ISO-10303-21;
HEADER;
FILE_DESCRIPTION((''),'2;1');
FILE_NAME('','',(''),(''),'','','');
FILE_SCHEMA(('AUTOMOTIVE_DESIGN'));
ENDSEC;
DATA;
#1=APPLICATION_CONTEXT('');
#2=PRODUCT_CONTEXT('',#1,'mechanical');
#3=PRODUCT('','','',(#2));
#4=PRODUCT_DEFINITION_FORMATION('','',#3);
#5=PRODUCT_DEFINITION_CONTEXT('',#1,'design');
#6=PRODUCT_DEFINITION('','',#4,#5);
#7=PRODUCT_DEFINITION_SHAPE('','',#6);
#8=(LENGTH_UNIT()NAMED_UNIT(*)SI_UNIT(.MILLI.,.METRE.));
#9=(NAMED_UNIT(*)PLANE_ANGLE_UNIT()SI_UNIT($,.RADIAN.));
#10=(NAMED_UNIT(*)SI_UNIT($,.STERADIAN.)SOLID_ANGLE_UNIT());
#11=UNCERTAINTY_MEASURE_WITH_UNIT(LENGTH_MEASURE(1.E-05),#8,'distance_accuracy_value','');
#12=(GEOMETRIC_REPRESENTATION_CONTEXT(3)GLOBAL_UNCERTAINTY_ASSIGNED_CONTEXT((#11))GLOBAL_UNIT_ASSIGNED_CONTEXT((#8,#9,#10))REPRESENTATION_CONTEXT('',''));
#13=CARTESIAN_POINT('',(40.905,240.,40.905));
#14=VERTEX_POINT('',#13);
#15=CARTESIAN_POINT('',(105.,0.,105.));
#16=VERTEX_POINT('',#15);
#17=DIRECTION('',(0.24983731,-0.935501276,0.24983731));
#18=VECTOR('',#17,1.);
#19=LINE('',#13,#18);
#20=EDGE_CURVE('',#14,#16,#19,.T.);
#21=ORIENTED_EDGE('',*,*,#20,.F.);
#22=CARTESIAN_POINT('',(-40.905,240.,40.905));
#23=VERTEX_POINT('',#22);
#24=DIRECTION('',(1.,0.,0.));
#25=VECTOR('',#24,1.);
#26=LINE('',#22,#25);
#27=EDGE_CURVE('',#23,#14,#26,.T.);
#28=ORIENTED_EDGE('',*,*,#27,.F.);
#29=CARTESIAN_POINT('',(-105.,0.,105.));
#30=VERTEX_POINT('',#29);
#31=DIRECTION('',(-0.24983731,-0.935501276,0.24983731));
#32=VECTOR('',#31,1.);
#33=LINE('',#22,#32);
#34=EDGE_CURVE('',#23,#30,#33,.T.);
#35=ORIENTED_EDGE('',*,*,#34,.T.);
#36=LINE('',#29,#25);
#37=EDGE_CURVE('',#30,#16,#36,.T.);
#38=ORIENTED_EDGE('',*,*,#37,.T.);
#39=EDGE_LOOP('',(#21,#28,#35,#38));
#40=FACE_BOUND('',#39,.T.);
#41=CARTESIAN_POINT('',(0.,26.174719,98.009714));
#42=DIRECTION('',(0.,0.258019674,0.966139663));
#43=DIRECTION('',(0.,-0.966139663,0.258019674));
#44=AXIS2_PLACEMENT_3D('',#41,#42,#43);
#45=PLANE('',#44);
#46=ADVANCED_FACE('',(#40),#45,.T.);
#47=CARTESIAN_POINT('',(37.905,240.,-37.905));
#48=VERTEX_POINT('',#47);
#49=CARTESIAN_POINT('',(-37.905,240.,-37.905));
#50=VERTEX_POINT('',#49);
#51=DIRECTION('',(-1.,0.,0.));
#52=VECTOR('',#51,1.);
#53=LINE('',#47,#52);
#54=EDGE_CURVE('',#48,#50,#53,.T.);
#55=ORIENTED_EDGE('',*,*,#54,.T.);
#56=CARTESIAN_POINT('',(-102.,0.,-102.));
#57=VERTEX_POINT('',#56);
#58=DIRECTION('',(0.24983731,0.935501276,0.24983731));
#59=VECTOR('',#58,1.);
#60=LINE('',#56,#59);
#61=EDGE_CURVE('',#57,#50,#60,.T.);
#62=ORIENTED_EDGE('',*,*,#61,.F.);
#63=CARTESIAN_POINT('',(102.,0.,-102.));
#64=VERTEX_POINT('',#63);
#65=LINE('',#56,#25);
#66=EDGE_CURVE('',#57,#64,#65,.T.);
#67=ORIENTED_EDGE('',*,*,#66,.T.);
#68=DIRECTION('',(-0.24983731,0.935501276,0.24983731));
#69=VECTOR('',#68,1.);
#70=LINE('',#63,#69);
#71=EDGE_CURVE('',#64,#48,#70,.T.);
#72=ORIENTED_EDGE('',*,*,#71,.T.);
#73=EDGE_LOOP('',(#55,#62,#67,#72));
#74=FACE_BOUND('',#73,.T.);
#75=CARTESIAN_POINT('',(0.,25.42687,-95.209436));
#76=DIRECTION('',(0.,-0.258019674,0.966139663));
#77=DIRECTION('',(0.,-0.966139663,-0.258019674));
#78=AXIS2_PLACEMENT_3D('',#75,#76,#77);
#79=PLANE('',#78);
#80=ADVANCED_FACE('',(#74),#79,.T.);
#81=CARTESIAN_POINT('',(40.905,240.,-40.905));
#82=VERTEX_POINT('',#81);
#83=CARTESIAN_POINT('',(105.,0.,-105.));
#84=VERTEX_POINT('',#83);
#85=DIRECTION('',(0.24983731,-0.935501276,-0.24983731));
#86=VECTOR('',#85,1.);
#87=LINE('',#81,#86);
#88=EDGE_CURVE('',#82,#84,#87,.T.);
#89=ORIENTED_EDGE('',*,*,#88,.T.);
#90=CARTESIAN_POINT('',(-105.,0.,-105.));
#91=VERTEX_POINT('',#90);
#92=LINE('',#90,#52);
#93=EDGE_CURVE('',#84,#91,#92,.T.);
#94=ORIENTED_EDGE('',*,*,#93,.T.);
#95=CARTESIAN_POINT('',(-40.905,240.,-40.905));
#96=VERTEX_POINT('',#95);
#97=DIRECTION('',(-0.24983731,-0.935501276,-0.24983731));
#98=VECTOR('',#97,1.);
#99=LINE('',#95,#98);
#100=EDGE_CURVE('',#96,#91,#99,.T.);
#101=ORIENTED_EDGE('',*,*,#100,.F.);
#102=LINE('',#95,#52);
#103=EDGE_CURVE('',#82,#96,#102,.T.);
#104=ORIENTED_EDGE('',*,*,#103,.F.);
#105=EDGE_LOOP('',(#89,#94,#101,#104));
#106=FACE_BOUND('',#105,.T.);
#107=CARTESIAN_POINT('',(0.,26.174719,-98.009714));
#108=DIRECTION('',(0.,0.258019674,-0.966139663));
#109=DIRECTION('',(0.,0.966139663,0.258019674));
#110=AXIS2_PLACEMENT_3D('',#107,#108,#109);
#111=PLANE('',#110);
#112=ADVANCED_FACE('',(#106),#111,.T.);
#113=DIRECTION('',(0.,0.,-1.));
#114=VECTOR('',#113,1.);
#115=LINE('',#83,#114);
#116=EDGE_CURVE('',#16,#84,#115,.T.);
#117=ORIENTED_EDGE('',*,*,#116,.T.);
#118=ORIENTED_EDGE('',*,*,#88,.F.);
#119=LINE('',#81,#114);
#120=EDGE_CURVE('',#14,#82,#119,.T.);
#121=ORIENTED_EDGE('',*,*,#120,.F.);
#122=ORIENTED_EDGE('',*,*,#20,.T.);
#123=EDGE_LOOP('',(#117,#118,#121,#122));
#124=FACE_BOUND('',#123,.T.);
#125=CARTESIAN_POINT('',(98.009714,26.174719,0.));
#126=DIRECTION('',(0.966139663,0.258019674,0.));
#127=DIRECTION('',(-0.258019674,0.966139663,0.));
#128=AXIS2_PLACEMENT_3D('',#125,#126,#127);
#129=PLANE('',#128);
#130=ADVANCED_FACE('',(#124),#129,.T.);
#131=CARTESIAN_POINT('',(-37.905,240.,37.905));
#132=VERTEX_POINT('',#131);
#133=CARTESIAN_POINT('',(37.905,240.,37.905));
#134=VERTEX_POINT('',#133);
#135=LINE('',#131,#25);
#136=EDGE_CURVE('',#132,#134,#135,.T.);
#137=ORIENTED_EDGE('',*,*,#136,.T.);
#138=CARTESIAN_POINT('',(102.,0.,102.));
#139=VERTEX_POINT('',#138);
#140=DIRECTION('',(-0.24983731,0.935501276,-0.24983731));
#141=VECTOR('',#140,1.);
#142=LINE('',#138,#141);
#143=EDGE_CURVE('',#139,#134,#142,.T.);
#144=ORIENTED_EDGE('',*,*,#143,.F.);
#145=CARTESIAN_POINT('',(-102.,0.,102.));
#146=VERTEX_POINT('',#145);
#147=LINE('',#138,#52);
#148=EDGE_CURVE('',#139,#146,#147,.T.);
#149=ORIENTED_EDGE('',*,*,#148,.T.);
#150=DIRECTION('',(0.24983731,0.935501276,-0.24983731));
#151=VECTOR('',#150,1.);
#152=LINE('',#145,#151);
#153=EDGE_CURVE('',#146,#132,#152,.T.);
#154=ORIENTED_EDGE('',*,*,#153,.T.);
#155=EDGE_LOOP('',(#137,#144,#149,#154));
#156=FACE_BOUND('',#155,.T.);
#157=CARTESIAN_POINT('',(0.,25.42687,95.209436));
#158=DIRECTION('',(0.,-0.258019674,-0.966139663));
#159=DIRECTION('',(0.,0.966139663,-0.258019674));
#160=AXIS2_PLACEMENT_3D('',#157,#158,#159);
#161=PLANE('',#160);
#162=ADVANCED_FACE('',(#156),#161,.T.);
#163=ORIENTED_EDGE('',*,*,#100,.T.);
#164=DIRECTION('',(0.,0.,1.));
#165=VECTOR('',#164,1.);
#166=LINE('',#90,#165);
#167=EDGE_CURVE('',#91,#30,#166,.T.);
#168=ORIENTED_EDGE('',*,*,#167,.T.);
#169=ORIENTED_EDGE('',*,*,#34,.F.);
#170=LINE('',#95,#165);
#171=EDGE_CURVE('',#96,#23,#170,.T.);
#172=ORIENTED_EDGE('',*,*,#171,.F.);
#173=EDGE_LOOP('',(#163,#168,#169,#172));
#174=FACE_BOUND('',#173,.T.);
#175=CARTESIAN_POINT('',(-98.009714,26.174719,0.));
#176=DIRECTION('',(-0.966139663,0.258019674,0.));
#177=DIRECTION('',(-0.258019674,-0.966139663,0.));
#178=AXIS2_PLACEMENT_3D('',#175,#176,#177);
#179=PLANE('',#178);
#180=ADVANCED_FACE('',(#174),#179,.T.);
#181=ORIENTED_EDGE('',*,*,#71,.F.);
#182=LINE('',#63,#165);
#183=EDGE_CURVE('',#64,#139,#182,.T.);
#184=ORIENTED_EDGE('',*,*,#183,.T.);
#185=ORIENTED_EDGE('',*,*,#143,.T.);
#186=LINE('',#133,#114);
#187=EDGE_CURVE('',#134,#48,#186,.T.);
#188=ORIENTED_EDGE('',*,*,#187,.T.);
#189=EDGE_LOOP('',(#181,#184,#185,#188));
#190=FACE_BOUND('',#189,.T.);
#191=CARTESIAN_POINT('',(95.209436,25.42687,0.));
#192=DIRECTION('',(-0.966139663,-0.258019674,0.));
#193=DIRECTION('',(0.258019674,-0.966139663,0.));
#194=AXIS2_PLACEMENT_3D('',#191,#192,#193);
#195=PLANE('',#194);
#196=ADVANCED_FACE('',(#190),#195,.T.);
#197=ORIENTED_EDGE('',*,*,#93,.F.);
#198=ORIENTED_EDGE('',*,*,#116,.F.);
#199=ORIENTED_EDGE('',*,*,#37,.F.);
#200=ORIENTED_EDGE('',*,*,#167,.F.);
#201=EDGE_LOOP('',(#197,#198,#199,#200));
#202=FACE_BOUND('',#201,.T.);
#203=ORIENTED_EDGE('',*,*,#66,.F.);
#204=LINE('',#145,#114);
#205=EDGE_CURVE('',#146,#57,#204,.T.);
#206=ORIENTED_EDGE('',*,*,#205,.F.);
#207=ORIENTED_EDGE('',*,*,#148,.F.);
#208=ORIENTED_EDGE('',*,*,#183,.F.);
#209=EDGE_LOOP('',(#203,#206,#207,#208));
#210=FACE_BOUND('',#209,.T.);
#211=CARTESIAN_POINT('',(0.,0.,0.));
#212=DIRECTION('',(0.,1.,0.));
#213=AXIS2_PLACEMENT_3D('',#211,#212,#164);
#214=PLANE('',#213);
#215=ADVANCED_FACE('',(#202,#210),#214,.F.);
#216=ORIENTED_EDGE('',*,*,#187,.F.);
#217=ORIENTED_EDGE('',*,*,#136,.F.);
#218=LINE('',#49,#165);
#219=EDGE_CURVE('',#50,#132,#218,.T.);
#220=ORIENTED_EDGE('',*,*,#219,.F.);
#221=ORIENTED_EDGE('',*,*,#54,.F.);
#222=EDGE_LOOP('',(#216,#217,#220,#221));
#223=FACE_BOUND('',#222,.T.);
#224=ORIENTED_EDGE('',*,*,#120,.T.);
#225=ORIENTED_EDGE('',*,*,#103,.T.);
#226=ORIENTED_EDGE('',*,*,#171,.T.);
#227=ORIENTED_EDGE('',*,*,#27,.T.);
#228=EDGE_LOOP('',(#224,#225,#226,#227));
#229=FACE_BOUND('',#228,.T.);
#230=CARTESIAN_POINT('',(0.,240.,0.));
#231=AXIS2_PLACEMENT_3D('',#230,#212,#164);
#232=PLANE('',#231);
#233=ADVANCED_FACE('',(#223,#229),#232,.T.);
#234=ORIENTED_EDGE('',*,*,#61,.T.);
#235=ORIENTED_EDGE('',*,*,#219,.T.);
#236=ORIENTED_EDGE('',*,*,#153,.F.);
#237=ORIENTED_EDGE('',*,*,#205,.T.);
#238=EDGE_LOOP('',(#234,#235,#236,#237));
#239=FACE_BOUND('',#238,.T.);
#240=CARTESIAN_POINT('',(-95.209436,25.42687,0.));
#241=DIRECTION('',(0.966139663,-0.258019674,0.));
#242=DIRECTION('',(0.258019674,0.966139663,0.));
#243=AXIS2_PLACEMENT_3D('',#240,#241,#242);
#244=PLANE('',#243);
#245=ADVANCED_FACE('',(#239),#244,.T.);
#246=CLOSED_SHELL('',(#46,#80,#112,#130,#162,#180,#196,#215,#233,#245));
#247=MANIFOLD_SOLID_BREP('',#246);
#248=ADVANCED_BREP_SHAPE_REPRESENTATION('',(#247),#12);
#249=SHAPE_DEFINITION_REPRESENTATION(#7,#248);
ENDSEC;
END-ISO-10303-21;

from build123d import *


with BuildPart() as part:
    # Sketch2 → Loft1 section 0
    with BuildSketch(Plane(origin=(0, 240, 0), x_dir=(1, 0, 0), z_dir=(0, 1, 0))):
        with BuildLine():
            Line((-40.905, 40.905), (40.905, 40.905))
            Line((40.905, 40.905), (40.905, -40.905))
            Line((40.905, -40.905), (-40.905, -40.905))
            Line((-40.905, -40.905), (-40.905, 40.905))
        make_face()
    # Sketch1 → Loft1 section 1
    with BuildSketch(Plane(origin=(0, 0, 0), x_dir=(1, 0, 0), z_dir=(0, 1, 0))):
        with BuildLine():
            Line((-105, 105), (105, 105))
            Line((105, 105), (105, -105))
            Line((105, -105), (-105, -105))
            Line((-105, -105), (-105, 105))
        make_face()
    loft()

    # Sketch5 → Cut-Loft1 section 0
    with BuildSketch(Plane.XZ):
        with BuildLine():
            Line((102, -102), (102, 102))
            Line((102, 102), (-102, 102))
            Line((-102, 102), (-102, -102))
            Line((-102, -102), (102, -102))
        make_face()
    # Sketch4 → Cut-Loft1 section 1
    with BuildSketch(Plane(origin=(0, 240, 0), x_dir=(1, 0, 0), z_dir=(0, 1, 0))):
        with BuildLine():
            Line((37.905, -37.905), (37.905, 37.905))
            Line((37.905, 37.905), (-37.905, 37.905))
            Line((-37.905, 37.905), (-37.905, -37.905))
            Line((-37.905, -37.905), (37.905, -37.905))
        make_face()
    loft(mode=Mode.SUBTRACT)


solid = part.part
